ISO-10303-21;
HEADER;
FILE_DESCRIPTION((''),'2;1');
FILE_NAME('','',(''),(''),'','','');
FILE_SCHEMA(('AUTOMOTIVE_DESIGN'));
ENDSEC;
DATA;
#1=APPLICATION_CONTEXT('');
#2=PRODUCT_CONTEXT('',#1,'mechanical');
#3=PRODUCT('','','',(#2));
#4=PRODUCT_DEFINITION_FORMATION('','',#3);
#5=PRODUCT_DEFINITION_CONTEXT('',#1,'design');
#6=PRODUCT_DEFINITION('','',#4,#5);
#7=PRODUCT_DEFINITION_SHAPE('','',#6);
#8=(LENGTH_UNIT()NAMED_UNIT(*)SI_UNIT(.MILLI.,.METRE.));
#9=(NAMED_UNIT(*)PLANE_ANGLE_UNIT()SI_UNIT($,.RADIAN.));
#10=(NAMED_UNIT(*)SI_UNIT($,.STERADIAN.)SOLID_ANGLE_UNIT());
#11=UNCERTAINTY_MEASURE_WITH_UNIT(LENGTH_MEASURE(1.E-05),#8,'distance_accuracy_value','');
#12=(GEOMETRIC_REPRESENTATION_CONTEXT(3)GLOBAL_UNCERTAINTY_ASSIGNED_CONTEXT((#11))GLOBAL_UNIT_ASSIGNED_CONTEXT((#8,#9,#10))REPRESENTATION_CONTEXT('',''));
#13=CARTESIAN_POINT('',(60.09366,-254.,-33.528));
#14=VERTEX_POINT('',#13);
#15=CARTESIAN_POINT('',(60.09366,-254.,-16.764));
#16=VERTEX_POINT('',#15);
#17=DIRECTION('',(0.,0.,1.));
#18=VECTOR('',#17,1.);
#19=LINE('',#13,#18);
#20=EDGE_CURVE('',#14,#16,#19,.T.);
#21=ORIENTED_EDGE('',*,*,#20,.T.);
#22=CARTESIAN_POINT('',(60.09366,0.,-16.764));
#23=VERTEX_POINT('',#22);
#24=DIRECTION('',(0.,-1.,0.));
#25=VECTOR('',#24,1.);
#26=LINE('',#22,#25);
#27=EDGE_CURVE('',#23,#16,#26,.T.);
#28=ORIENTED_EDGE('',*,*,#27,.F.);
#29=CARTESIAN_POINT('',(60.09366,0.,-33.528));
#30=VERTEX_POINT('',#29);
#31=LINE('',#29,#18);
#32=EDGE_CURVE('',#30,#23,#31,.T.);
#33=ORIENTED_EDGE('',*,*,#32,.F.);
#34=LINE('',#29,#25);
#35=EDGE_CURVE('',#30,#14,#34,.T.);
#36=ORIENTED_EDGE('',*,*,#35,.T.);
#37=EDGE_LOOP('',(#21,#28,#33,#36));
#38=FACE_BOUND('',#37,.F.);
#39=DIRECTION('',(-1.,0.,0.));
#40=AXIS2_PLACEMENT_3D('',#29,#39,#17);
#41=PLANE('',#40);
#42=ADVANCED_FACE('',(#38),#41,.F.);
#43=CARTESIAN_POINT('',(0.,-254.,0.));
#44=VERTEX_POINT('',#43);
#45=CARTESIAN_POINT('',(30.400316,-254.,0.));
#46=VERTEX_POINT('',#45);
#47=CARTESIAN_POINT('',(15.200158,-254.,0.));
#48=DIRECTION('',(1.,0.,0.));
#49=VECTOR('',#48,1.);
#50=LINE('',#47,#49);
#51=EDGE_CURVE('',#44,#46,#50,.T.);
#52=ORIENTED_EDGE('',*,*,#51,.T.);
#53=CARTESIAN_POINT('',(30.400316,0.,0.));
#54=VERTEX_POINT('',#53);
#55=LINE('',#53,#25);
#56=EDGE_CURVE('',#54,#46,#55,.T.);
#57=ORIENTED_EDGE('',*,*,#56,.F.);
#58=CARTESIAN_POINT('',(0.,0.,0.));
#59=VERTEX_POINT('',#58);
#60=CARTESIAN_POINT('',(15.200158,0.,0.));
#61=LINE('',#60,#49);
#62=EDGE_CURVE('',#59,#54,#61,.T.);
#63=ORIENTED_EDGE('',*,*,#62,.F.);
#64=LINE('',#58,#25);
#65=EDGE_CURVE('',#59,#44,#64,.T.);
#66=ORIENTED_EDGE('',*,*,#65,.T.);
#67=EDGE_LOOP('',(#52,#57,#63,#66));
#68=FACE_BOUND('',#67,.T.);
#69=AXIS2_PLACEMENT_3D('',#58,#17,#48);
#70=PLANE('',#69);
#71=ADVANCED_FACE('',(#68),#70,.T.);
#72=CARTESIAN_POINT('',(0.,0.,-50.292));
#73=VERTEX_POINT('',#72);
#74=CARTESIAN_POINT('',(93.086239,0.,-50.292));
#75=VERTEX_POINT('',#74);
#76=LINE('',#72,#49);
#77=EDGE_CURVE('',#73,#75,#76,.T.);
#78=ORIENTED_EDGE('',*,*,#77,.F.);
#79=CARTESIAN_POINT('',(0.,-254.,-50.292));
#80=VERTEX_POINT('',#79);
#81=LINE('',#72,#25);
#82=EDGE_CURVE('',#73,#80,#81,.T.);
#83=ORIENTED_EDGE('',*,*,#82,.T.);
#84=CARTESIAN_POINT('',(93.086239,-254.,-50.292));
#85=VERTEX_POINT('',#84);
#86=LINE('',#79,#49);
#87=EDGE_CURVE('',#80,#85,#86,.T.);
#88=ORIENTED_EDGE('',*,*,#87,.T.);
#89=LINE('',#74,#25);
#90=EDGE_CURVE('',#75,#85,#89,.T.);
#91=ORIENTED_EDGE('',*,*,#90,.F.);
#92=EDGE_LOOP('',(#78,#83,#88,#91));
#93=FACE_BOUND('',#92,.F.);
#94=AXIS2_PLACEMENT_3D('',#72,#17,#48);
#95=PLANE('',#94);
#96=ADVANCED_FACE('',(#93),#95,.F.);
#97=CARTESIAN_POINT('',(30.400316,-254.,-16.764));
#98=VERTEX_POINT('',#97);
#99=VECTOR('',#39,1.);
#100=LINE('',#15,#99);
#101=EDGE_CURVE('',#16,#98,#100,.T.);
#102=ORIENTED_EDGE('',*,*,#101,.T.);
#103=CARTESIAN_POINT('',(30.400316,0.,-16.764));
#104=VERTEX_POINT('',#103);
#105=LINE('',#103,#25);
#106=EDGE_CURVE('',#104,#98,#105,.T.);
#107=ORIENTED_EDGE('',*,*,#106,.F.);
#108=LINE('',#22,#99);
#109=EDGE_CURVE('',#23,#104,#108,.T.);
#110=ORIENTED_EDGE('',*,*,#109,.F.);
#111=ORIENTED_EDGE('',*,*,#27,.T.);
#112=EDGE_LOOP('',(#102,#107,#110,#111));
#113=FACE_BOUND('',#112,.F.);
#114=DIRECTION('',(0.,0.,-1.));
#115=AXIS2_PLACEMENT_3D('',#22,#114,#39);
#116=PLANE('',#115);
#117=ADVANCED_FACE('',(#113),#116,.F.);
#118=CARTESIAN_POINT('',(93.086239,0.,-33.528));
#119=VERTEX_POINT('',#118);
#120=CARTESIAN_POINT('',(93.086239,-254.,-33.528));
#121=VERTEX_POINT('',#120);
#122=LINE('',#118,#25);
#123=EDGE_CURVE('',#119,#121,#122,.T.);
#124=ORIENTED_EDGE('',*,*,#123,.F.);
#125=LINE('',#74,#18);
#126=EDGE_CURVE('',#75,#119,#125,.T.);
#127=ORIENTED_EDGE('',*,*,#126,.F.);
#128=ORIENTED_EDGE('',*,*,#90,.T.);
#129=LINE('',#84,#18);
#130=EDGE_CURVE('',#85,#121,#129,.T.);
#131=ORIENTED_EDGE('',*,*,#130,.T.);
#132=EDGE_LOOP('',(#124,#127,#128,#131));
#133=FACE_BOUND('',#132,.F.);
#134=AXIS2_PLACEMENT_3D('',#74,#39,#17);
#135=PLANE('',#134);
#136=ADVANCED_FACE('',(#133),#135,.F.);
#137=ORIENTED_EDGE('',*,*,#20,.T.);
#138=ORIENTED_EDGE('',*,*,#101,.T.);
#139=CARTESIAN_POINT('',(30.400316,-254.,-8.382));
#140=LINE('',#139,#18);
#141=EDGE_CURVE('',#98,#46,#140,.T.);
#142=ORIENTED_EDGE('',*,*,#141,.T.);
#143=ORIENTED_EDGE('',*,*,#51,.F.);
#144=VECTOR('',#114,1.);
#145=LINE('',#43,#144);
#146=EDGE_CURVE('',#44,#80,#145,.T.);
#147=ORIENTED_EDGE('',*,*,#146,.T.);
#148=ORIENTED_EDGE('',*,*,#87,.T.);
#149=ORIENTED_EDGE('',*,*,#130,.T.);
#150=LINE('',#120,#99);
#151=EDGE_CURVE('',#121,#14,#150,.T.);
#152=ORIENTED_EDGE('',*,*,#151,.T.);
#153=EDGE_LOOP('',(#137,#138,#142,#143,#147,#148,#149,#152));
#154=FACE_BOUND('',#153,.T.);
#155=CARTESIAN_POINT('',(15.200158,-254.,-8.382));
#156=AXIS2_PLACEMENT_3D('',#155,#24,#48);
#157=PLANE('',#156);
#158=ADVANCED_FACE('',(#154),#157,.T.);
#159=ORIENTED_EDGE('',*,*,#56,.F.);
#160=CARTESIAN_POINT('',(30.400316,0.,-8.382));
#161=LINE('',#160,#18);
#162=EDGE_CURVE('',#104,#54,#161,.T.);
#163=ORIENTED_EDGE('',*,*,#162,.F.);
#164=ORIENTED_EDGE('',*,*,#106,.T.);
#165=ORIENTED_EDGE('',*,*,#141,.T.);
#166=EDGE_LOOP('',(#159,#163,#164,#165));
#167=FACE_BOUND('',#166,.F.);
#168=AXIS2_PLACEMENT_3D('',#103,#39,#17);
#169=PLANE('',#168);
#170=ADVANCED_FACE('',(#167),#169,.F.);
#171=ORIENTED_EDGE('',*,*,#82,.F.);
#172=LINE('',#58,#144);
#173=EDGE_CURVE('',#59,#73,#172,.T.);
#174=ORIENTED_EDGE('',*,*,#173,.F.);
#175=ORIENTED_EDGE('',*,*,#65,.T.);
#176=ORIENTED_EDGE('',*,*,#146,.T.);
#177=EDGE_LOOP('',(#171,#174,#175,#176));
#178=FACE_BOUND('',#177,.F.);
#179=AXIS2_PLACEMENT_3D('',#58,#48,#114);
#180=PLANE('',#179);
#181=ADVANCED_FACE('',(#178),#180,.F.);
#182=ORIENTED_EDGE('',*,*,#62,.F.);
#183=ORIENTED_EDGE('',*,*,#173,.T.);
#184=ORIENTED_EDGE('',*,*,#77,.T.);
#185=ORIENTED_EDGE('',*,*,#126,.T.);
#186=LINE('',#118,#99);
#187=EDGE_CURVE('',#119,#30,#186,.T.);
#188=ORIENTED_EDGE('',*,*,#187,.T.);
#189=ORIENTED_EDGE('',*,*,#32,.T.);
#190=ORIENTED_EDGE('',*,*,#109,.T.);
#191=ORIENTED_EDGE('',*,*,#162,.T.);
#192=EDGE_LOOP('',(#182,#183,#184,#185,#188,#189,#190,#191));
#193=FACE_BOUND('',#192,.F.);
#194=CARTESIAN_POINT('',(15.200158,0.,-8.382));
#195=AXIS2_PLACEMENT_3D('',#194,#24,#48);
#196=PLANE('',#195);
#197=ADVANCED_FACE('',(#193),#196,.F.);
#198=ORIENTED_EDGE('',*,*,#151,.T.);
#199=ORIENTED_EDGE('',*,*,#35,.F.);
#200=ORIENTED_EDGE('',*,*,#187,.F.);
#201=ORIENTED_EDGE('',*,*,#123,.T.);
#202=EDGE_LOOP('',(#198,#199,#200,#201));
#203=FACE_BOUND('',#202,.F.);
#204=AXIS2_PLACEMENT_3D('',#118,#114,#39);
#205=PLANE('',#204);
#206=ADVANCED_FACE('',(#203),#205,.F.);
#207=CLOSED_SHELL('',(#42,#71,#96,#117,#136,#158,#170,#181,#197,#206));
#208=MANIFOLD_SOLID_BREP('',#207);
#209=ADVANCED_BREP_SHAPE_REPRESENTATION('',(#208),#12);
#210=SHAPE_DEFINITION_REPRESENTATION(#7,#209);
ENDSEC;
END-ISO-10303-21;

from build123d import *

# Parameters (mm, degrees)
F0_W     = 30.400316
F0_H     = 16.764
F1_DEPTH = 254


with BuildPart() as f1:
    # F0 (on Front) → F1 (new body)
    with BuildSketch(Plane.XZ):
        with Locations((15.200158, -8.382)):
            Rectangle(F0_W, F0_H)
        Polygon((30.400316, -16.764), (0, -16.764), (0, -33.528), (60.09366, -33.528), (60.09366, -16.764), align=None)
        Polygon((60.09366, -33.528), (0, -33.528), (0, -50.292), (93.086239, -50.292), (93.086239, -33.528), align=None)
    extrude(amount=F1_DEPTH)


solid = f1.part
